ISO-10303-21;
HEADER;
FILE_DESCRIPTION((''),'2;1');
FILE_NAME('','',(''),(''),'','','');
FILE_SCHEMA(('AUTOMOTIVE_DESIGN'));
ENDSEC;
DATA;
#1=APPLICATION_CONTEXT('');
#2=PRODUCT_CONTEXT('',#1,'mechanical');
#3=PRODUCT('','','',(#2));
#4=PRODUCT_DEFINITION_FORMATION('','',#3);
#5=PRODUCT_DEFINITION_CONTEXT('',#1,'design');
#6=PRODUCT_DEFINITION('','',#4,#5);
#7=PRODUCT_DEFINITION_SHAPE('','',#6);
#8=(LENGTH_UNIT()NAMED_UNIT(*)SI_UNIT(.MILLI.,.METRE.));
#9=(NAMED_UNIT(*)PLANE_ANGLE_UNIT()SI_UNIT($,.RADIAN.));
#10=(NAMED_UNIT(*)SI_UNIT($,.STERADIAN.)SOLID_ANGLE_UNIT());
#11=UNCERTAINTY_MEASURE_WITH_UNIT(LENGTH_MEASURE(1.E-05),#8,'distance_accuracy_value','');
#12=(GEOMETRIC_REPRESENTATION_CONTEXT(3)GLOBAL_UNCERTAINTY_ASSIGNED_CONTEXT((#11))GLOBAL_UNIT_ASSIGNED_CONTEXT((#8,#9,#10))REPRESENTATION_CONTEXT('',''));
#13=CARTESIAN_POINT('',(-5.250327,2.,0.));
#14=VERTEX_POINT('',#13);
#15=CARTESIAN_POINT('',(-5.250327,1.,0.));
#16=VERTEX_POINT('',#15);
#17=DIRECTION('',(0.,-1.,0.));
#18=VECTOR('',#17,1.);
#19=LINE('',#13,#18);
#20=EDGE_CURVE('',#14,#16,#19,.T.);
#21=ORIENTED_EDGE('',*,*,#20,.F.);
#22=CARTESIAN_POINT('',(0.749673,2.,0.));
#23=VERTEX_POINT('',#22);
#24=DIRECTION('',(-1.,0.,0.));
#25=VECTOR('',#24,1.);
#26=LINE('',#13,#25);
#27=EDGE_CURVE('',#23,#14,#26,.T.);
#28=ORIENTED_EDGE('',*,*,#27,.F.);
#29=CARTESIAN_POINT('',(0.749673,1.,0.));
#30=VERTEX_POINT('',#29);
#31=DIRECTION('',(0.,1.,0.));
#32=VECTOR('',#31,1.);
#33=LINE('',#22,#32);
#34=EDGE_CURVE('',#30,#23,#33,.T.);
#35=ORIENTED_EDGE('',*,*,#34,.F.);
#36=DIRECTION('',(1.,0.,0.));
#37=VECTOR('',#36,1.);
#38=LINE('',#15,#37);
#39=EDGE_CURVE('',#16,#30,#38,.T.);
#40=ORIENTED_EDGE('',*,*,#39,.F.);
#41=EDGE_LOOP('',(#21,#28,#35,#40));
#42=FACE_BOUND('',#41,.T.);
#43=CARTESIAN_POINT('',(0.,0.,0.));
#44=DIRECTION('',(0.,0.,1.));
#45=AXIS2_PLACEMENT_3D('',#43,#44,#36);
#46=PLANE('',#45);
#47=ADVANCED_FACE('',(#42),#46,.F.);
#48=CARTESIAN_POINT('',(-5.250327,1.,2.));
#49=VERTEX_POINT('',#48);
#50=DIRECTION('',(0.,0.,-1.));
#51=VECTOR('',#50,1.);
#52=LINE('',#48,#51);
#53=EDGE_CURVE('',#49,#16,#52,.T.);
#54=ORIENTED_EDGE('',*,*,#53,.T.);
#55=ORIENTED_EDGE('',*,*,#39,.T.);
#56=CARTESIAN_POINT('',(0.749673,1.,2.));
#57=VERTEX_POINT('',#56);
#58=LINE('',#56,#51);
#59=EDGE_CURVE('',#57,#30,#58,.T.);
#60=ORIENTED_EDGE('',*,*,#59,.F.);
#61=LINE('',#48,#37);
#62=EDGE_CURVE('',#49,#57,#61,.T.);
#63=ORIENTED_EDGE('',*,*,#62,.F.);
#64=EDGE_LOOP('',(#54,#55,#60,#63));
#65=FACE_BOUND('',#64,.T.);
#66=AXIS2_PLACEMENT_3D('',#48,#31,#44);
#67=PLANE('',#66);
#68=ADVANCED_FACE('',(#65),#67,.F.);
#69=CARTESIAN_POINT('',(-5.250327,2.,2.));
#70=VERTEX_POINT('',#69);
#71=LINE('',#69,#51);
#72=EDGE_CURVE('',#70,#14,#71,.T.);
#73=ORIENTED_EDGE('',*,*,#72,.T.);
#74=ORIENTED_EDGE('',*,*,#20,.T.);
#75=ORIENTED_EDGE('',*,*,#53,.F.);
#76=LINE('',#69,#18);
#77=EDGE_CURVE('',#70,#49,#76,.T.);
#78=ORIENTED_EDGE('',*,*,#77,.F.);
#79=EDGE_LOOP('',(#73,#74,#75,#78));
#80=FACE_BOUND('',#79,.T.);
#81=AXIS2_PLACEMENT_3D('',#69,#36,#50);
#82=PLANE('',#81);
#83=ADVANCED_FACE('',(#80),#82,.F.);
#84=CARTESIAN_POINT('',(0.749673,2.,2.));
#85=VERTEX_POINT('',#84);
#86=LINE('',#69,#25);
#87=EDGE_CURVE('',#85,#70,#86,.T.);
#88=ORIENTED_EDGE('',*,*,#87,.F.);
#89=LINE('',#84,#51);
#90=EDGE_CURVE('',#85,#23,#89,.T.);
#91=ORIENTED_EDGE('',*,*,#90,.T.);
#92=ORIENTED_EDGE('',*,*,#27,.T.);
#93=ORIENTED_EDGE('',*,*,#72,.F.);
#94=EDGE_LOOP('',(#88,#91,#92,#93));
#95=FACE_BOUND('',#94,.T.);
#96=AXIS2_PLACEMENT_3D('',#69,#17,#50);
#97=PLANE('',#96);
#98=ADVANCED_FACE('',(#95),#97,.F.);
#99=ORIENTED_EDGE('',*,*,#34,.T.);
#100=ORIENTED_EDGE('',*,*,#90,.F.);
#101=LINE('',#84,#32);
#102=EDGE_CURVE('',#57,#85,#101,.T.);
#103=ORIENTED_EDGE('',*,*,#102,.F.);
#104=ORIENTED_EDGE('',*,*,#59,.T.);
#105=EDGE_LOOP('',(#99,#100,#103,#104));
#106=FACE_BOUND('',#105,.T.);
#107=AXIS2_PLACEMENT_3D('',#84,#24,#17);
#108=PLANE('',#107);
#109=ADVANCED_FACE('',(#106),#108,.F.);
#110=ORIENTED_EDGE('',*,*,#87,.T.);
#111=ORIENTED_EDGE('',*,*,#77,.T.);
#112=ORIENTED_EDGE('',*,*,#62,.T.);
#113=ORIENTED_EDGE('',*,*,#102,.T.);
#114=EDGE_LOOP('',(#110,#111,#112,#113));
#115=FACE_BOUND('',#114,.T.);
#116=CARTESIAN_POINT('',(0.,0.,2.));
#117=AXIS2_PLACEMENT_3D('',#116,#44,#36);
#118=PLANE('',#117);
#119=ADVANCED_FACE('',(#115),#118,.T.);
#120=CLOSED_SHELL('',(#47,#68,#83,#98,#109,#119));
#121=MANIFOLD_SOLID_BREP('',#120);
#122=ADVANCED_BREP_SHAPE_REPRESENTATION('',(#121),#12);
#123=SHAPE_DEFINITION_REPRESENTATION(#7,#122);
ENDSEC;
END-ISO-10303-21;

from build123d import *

# Parameters (mm, degrees)
SKETCH_1_W      = 6
SKETCH_1_H      = 1
EXTRUDE_1_DEPTH = 2


with BuildPart() as part:
    # 草图1 → 凸台-拉伸1 (new body)
    with BuildSketch(Plane.XY):
        with Locations((-2.250327282, 1.5)):
            Rectangle(SKETCH_1_W, SKETCH_1_H)
    extrude(amount=EXTRUDE_1_DEPTH)


solid = part.part
